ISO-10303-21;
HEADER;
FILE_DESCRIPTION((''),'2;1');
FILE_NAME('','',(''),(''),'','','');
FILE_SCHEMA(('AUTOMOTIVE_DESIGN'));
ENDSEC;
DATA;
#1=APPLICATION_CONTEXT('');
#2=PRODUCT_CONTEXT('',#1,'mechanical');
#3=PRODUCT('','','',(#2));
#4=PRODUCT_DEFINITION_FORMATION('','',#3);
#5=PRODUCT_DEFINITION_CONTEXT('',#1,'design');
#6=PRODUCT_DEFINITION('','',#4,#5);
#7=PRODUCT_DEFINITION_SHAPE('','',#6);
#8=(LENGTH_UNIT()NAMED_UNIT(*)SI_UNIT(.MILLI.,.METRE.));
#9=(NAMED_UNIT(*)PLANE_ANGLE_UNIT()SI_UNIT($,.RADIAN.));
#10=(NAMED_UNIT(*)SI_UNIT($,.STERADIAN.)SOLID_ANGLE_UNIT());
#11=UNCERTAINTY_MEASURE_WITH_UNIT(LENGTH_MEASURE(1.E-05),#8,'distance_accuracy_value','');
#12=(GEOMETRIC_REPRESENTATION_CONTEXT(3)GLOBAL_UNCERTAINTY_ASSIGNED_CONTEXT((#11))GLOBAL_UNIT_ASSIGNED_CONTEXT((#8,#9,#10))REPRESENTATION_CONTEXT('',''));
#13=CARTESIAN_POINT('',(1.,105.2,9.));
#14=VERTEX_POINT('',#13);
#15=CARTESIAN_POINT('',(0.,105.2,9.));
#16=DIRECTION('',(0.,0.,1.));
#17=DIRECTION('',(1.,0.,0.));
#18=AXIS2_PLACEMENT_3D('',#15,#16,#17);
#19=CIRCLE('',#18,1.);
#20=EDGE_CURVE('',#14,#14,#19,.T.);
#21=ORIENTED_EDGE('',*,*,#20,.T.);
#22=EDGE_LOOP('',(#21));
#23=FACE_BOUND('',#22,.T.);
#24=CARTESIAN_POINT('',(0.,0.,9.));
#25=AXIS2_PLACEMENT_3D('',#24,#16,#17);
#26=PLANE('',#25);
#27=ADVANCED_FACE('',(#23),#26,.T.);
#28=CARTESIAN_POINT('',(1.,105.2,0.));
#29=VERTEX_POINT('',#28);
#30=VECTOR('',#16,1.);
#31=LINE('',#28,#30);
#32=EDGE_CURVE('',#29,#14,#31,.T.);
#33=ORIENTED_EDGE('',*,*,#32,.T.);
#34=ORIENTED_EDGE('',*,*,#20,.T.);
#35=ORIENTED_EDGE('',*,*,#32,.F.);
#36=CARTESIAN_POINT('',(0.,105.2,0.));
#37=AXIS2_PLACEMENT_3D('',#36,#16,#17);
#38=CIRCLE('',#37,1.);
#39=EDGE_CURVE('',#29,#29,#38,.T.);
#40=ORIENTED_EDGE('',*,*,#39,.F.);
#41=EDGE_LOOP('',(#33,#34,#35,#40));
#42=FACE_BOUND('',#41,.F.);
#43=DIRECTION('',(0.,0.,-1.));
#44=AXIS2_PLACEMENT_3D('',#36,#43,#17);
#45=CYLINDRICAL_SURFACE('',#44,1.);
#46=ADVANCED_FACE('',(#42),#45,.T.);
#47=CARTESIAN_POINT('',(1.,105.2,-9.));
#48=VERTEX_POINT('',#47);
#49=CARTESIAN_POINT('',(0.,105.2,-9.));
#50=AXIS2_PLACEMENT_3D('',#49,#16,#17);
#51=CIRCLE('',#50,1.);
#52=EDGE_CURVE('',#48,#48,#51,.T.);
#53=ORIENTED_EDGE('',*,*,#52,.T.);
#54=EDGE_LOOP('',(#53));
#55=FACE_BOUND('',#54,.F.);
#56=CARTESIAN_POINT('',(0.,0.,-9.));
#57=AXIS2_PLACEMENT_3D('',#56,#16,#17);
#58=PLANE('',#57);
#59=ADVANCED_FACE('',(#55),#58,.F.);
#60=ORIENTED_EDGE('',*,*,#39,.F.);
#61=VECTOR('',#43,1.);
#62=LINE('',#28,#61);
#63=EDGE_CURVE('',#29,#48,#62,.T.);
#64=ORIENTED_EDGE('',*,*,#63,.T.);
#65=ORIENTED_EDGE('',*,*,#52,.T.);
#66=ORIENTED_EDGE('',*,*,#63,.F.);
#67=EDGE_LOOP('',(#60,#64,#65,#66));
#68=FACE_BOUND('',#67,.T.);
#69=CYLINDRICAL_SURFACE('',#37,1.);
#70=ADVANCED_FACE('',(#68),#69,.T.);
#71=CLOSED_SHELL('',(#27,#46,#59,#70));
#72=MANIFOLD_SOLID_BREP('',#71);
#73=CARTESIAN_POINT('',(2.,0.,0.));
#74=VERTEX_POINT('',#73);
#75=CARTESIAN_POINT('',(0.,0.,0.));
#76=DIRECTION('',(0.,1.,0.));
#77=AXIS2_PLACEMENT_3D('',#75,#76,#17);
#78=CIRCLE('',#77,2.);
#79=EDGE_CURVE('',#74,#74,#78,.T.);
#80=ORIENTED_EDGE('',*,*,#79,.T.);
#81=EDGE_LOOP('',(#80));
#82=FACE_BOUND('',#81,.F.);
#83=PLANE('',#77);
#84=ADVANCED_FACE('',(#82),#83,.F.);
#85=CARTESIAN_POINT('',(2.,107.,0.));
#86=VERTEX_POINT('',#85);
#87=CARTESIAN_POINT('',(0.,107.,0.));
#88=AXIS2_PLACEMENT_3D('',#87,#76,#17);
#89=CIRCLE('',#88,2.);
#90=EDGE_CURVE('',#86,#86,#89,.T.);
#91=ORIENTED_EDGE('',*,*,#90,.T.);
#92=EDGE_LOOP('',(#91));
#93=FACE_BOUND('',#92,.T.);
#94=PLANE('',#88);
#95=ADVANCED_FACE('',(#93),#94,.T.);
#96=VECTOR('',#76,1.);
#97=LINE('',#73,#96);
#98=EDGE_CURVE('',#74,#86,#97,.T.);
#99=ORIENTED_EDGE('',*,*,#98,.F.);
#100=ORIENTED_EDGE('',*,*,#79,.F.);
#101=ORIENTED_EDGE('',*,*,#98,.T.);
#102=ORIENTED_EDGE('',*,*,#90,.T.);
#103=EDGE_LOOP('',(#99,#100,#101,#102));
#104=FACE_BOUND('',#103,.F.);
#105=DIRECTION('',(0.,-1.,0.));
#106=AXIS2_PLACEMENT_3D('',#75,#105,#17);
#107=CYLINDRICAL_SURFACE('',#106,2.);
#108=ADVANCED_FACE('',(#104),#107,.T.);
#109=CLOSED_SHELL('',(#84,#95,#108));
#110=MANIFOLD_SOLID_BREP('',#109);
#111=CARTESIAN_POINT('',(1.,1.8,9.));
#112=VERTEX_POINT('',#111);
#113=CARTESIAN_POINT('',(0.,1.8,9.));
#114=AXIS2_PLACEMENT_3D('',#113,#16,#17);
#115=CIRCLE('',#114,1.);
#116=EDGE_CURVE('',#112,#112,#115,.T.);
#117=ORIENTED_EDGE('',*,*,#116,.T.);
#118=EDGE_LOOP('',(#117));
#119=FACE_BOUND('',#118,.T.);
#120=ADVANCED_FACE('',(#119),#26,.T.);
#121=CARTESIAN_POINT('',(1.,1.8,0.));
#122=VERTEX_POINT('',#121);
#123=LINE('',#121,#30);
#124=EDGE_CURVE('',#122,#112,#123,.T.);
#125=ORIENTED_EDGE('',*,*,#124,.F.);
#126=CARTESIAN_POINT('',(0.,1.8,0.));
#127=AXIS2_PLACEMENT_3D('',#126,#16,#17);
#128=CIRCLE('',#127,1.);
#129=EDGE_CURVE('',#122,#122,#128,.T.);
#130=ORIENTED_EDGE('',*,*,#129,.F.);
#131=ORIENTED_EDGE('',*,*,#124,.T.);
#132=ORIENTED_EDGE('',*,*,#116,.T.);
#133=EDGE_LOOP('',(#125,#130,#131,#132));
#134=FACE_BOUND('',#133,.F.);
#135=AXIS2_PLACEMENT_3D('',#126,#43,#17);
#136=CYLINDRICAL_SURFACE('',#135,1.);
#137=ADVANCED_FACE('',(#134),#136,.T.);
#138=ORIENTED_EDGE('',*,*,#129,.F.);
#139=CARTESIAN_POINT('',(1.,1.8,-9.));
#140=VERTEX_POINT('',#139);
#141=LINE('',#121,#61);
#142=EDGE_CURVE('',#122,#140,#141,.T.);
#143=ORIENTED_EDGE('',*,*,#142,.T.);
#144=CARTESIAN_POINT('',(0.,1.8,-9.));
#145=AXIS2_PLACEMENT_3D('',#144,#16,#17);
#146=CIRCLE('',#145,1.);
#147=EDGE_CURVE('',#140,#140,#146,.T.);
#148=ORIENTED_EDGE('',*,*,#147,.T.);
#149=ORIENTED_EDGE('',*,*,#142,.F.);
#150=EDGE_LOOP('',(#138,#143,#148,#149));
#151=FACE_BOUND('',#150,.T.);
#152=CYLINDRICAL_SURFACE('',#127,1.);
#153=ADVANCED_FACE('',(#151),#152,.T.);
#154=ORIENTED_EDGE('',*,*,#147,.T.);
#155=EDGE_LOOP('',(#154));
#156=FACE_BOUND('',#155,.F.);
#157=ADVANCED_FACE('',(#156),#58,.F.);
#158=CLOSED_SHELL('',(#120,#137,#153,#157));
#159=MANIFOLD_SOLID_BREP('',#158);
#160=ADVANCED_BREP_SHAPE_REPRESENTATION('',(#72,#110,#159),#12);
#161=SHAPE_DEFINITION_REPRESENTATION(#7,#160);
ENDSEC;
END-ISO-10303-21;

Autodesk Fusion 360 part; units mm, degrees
sketch "Sketch1" plane through (0, 0, 0) normal (0, 1, 0) x (1, 0, 0)
  circle A0 centre (0, 0) radius 2
  dimension "d5" = 4
extrude "Extrude1" add sketch "Sketch1" along normal blind 107 makes body 1
sketch "Sketch2" plane through (0, 0, 0) normal (0, 0, 1) x (1, 0, 0)
  circle A0 centre (0, 1.8) radius 1
  circle A1 centre (0, 105.2) radius 1
  line L0 (2, 107) -> (-2, 107)
  dimension "d9" = 2
  dimension "d10" = 2
  dimension "d15" = 1.8
  dimension "d16" = 1.8
extrude "Extrude2" add sketch "Sketch2" along normal mid plane 18 separate body contours A1 makes body 2
extrude "Extrude3" add sketch "Sketch2" along normal mid plane 18 separate body contours A0 makes body 3
equation "length = 107 mm"
equation "radius = 2 mm"
equation "cup_little_bone_radius = 1 mm"
equation "cup_little_bone_length = 18 mm"
equation "d5 = radius * 2"
equation "edge_cup_little_bone_distance = 1.8 mm"
equation "d7 = length"
equation "d9 = cup_little_bone_radius * 2"
equation "d10 = cup_little_bone_radius * 2"
equation "d11 = cup_little_bone_length / 2"
equation "d13 = cup_little_bone_length / 2"
equation "d15 = edge_cup_little_bone_distance"
equation "d16 = edge_cup_little_bone_distance"
